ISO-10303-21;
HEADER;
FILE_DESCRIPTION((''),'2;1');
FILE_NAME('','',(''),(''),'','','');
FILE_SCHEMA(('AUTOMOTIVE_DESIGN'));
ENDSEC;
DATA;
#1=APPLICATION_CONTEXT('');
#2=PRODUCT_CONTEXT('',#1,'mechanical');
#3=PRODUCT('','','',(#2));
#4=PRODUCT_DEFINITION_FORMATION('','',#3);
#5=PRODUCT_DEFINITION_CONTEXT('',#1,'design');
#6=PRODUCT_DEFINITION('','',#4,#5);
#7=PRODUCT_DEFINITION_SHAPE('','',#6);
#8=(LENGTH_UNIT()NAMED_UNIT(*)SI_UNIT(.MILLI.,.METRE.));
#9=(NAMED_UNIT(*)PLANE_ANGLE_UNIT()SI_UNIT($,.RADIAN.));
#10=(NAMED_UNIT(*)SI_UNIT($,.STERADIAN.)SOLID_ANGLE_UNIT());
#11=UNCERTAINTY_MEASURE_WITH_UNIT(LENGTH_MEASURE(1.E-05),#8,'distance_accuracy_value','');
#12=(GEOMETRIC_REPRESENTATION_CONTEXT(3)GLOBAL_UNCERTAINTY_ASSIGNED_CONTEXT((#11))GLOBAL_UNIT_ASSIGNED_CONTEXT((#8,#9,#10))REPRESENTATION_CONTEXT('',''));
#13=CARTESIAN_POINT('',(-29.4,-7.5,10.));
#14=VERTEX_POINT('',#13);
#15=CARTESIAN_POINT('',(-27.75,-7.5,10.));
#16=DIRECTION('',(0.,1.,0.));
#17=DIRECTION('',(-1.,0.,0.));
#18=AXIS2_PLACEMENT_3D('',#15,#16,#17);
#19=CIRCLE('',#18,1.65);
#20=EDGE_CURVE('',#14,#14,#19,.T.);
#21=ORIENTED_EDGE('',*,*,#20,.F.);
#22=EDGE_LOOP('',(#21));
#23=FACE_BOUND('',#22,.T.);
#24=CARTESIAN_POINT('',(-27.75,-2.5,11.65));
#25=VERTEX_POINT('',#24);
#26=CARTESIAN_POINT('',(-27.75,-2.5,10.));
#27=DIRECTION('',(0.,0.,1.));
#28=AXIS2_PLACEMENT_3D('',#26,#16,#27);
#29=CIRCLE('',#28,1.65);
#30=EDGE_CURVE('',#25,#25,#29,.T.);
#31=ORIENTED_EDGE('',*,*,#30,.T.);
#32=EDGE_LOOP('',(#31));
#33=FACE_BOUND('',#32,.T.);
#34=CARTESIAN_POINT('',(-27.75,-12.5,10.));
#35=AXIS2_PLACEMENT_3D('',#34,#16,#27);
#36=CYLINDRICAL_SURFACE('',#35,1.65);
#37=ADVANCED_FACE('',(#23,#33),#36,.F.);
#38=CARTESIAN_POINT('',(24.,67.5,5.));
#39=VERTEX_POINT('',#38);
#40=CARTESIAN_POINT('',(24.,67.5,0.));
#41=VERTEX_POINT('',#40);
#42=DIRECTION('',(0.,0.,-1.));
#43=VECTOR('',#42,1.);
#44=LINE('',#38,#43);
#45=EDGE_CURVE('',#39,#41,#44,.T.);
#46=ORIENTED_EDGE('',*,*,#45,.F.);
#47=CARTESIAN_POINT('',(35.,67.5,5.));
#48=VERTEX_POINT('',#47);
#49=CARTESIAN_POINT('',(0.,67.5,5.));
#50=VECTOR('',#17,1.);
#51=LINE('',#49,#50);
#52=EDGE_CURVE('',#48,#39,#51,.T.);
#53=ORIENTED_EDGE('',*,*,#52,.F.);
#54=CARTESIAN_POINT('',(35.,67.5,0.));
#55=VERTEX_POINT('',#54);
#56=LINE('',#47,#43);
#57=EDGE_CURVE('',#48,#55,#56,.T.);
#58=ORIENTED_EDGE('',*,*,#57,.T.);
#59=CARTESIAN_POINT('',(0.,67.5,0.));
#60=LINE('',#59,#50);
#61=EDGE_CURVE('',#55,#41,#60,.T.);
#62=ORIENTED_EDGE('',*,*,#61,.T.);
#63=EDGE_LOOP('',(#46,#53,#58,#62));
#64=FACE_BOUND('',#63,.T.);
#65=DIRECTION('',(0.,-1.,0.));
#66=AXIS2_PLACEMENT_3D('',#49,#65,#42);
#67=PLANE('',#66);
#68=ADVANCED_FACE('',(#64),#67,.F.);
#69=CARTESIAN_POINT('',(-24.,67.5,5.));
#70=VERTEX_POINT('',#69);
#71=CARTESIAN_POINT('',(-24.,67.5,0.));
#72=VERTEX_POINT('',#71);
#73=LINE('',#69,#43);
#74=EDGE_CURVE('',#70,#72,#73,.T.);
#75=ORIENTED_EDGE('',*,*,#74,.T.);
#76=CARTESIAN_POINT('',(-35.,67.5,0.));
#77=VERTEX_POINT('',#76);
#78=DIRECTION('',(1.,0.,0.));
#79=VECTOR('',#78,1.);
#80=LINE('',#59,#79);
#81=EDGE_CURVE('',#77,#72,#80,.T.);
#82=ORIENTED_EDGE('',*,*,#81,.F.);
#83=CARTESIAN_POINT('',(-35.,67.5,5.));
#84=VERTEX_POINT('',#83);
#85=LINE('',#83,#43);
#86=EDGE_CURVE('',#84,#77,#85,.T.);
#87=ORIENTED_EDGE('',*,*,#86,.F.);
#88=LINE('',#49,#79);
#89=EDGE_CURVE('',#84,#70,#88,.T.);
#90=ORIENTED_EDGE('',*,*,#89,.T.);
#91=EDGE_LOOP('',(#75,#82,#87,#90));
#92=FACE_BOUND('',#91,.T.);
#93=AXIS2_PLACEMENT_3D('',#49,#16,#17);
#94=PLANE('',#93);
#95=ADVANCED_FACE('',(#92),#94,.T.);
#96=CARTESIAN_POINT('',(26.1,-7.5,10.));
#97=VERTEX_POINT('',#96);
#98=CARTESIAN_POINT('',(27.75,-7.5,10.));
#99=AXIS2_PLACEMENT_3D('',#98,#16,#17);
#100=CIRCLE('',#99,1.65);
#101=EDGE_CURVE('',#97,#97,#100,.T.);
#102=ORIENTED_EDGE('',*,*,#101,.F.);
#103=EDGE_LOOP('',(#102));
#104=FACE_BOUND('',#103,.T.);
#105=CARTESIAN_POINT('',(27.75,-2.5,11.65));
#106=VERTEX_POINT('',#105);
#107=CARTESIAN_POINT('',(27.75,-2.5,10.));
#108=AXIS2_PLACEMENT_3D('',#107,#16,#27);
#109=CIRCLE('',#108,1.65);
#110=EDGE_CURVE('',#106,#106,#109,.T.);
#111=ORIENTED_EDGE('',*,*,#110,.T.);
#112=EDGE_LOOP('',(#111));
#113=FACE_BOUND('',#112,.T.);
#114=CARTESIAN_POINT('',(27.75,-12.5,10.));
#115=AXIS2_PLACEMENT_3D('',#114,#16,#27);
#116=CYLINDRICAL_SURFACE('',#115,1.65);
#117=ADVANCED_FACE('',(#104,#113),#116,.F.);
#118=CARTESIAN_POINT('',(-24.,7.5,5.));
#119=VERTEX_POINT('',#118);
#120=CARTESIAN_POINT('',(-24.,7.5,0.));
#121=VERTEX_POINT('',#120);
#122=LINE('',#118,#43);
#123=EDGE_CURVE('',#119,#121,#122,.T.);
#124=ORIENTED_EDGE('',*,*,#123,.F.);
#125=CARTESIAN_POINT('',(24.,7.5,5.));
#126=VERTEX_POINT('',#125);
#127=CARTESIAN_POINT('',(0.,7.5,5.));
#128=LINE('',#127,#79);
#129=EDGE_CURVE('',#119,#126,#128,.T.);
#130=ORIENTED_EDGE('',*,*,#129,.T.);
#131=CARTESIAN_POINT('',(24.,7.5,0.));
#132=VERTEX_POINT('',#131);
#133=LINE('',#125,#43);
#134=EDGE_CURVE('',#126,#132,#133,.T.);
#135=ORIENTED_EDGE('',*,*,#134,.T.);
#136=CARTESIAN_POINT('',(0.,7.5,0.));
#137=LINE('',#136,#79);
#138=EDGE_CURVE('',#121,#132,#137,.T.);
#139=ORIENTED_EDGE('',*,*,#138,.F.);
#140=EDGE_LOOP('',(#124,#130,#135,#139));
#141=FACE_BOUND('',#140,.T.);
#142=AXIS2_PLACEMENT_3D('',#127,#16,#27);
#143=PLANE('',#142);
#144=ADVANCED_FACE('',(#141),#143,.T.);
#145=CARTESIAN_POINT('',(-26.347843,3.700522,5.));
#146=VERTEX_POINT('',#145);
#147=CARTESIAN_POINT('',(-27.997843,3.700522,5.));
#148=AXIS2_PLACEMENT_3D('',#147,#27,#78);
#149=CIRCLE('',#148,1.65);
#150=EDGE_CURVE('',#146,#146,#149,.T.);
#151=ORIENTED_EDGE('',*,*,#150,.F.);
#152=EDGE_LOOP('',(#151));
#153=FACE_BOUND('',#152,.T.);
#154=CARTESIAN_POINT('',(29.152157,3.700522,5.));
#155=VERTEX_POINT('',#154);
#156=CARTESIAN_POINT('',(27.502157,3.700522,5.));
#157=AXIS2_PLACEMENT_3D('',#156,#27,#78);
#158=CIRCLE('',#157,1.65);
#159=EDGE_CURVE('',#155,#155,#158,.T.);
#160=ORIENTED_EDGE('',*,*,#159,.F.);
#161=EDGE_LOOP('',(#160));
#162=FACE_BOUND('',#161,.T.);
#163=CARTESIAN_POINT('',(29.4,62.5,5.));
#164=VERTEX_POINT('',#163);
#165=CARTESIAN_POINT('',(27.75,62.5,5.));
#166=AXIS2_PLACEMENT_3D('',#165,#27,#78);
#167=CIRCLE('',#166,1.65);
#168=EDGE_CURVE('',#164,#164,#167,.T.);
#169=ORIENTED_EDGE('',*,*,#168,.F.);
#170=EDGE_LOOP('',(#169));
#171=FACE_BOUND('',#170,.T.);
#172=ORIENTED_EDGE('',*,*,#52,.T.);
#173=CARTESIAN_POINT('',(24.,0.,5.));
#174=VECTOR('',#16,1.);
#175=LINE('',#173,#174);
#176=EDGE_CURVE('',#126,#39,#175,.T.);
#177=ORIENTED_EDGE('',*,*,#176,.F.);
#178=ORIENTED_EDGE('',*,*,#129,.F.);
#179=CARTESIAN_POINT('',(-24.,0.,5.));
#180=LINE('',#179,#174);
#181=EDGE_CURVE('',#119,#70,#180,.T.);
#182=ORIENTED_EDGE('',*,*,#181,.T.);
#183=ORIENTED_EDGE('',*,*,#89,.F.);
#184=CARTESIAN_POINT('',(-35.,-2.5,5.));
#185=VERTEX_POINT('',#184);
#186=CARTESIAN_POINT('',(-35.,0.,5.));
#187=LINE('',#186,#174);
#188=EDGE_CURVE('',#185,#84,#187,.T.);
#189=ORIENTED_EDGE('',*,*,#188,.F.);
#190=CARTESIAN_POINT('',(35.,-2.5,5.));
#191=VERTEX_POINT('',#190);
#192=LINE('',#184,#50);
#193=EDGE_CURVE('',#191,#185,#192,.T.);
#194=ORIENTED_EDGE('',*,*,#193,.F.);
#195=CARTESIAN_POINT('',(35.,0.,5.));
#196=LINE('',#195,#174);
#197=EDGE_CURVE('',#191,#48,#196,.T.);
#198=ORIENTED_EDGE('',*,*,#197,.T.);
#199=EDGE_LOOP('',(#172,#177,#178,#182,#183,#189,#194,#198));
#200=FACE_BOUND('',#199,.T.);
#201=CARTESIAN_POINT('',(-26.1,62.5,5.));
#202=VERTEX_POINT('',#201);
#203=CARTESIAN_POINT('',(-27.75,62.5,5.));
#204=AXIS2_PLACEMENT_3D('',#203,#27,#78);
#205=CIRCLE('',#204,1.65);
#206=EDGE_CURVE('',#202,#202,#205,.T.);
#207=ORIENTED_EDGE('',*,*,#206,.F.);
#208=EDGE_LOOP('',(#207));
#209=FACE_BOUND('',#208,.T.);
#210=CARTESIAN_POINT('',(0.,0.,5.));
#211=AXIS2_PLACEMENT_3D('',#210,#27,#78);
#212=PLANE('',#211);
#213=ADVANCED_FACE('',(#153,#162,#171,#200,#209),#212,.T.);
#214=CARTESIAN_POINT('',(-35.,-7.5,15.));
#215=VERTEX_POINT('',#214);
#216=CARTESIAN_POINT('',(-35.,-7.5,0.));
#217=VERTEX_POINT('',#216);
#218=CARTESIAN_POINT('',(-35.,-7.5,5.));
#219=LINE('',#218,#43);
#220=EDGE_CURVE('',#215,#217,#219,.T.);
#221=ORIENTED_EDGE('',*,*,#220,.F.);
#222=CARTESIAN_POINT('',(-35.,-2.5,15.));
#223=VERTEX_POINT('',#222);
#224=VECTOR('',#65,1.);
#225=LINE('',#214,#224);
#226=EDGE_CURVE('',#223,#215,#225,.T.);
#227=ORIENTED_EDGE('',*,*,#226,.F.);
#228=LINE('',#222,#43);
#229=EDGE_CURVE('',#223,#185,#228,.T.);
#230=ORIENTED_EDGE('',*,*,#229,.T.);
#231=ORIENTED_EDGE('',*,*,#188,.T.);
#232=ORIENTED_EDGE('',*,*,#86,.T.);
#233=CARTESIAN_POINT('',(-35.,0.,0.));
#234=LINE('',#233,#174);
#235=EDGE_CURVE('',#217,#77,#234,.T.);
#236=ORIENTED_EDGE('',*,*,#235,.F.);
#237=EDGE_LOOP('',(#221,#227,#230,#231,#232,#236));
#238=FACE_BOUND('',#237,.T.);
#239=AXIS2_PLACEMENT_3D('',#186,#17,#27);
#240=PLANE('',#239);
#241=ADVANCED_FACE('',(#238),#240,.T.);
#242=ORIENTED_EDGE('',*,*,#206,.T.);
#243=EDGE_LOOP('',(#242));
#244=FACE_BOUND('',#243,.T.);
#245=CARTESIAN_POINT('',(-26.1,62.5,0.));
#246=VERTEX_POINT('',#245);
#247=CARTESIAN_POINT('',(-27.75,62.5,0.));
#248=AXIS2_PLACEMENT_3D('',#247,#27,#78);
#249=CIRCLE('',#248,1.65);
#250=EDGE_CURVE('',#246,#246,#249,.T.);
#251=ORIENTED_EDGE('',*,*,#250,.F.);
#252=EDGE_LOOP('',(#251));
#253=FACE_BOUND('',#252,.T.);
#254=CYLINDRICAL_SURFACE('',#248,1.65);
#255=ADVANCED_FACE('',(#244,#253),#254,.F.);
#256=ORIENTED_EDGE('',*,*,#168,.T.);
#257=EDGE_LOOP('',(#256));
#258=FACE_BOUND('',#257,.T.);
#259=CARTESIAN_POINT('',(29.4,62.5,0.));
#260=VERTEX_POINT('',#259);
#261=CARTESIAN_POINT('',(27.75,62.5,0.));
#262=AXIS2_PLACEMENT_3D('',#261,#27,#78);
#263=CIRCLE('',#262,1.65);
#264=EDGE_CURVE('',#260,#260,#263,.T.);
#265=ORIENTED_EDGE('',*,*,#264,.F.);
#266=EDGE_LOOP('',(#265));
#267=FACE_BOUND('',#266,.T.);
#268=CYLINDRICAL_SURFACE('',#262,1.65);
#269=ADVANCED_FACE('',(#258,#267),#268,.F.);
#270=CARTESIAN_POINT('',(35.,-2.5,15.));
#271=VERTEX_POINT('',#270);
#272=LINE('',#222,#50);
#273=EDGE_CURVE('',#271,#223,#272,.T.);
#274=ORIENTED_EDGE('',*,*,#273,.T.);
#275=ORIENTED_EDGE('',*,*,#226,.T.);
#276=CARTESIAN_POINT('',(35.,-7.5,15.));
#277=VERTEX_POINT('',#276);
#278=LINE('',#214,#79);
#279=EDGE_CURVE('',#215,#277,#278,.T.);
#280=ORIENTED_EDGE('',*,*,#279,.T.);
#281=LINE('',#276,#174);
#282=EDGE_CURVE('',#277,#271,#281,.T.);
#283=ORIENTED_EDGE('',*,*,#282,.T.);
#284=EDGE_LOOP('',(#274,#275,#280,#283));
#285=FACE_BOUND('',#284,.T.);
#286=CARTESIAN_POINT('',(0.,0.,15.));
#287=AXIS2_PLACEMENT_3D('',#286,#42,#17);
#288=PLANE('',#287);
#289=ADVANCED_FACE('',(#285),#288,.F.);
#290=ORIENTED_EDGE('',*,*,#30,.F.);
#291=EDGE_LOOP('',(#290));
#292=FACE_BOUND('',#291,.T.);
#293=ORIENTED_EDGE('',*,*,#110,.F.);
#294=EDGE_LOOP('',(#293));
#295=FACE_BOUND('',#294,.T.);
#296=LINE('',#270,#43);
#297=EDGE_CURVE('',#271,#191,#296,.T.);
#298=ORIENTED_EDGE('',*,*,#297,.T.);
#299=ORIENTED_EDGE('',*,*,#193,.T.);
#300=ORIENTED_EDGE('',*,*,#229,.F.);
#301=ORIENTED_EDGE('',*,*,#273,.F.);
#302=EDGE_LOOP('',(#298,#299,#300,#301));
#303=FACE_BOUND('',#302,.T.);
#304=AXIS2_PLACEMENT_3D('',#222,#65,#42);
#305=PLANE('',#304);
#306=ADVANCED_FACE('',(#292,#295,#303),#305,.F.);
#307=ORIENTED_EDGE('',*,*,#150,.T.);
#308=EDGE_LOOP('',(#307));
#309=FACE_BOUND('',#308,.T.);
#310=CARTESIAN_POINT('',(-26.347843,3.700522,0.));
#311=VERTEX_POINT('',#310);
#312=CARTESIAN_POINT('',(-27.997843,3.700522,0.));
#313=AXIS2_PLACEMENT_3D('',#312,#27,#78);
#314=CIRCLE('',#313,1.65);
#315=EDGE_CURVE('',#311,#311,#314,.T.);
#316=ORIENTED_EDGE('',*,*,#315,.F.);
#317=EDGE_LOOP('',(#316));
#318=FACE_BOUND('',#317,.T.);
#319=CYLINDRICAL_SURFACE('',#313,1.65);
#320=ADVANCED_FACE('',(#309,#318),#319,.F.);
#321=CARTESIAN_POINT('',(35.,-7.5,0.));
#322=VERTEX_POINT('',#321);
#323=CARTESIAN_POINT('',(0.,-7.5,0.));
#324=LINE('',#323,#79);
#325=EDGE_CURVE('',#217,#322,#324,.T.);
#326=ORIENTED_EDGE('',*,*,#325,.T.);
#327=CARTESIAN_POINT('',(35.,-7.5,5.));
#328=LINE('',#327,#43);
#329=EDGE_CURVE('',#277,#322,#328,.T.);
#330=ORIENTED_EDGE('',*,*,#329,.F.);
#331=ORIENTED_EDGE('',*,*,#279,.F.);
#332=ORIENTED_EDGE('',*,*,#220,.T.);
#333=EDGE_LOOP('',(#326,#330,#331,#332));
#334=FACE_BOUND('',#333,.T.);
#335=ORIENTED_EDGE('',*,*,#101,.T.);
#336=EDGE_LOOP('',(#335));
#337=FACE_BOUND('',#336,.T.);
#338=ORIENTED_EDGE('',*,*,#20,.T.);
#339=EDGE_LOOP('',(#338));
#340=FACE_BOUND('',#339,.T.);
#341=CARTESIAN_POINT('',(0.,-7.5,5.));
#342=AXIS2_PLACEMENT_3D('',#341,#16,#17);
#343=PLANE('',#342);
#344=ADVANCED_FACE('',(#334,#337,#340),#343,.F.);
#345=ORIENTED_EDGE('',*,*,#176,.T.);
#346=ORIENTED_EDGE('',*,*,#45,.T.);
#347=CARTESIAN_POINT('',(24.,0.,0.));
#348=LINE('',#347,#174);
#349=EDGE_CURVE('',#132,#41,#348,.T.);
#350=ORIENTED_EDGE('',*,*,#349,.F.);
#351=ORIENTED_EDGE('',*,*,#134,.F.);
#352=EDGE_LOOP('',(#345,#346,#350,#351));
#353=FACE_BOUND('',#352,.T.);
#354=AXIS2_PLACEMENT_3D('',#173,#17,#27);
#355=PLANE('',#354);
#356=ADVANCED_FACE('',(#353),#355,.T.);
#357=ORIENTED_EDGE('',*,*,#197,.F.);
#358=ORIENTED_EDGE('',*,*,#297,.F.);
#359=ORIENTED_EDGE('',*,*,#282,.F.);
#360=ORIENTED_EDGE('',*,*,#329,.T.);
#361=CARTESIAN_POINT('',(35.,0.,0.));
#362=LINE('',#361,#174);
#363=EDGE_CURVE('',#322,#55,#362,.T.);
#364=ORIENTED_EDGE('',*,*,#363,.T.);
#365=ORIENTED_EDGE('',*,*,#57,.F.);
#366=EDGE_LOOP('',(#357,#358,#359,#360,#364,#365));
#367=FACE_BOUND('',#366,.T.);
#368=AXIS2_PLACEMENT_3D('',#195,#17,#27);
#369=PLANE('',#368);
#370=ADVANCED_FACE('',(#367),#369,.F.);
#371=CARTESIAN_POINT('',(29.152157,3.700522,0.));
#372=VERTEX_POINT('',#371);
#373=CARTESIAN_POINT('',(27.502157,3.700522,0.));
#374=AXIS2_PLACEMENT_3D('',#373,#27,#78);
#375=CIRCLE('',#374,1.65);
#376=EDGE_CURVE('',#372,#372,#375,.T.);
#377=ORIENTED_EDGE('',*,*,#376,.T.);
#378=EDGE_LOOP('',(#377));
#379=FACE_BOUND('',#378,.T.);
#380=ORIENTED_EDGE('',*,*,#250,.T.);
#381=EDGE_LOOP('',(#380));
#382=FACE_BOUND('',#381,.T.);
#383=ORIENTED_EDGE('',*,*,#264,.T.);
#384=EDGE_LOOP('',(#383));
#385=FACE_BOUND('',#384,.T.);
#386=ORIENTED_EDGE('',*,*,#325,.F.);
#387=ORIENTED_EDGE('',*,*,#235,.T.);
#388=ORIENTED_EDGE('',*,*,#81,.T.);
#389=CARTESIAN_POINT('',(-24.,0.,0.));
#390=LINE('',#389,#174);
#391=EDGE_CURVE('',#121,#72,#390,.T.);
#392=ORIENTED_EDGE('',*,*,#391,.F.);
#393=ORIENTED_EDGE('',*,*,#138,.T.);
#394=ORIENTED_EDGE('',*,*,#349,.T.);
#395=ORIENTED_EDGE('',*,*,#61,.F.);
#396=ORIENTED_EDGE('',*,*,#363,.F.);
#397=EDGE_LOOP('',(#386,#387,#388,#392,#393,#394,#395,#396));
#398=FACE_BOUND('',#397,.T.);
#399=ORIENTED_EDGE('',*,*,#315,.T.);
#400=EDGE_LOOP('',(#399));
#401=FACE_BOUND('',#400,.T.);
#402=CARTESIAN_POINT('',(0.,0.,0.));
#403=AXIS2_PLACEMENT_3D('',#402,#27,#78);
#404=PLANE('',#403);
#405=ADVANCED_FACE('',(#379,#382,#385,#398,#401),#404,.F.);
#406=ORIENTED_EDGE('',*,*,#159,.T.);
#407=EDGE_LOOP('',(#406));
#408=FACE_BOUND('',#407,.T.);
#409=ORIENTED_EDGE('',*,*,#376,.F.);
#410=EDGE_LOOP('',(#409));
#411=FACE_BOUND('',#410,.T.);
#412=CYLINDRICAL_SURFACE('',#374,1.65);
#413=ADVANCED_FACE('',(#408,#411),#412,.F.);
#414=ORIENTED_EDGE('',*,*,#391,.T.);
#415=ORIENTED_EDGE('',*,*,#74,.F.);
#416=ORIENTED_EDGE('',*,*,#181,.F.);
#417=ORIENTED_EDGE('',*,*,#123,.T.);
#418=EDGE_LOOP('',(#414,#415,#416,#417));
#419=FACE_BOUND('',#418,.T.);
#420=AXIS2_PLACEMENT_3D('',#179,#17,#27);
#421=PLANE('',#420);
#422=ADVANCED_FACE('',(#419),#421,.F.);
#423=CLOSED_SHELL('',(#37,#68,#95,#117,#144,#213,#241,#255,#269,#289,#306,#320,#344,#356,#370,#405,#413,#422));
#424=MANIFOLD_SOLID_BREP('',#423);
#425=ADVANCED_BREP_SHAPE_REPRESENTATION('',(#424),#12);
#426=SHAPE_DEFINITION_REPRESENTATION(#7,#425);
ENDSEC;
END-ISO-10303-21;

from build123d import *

# Parameters (mm, degrees)
SKIZZE1_W                       = 11
SKIZZE1_H                       = 60
SKIZZE1_H_2                     = 15
SKIZZE1_W_2                     = 48
AUFSATZ_LINEAR_AUSTRAGEN1_DEPTH = 5
SKIZZE2_R                       = 1.65
SCHNITT_LINEAR_AUSTRAGEN1_DEPTH = 5
SKIZZE6_W                       = 70
SKIZZE6_H                       = 5
AUFSATZ_LINEAR_AUSTRAGEN3_DEPTH = 10
SKIZZE7_R                       = 1.65
SCHNITT_LINEAR_AUSTRAGEN2_DEPTH = 10


with BuildPart() as part:
    # Skizze1 → Aufsatz-Linear austragen1 (new body)
    with BuildSketch(Plane.XY):
        with Locations((-29.5, 37.5)):
            Rectangle(SKIZZE1_W, SKIZZE1_H)
        with Locations((-29.5, 0)):
            Rectangle(SKIZZE1_W, SKIZZE1_H_2)
        Rectangle(SKIZZE1_W_2, SKIZZE1_H_2)
        with Locations((29.5, 0)):
            Rectangle(SKIZZE1_W, SKIZZE1_H_2)
        with Locations((29.5, 37.5)):
            Rectangle(SKIZZE1_W, SKIZZE1_H)
    extrude(amount=AUFSATZ_LINEAR_AUSTRAGEN1_DEPTH)

    # Skizze2 → Schnitt-Linear austragen1 (cut)
    with BuildSketch(Plane.XY.offset(5)):
        with Locations((-27.997843094, 3.700522334)):
            Circle(SKIZZE2_R)
        with Locations((27.502156906, 3.700522334)):
            Circle(SKIZZE2_R)
        with Locations((27.75, 62.5)):
            Circle(SKIZZE2_R)
        with Locations((-27.75, 62.5)):
            Circle(SKIZZE2_R)
    extrude(amount=-SCHNITT_LINEAR_AUSTRAGEN1_DEPTH, mode=Mode.SUBTRACT)

    # Skizze6 → Aufsatz-Linear austragen3 (add)
    with BuildSketch(Plane.XY.offset(5)):
        with Locations((0, -5)):
            Rectangle(SKIZZE6_W, SKIZZE6_H)
    extrude(amount=AUFSATZ_LINEAR_AUSTRAGEN3_DEPTH)

    # Skizze7 → Schnitt-Linear austragen2 (cut)
    with BuildSketch(Plane(origin=(0, -2.5, 0), x_dir=(1, 0, 0), z_dir=(0, 1, 0))):
        with Locations((-27.75, -10)):
            Circle(SKIZZE7_R)
        with Locations((27.75, -10)):
            Circle(SKIZZE7_R)
    extrude(amount=-SCHNITT_LINEAR_AUSTRAGEN2_DEPTH, mode=Mode.SUBTRACT)


solid = part.part
